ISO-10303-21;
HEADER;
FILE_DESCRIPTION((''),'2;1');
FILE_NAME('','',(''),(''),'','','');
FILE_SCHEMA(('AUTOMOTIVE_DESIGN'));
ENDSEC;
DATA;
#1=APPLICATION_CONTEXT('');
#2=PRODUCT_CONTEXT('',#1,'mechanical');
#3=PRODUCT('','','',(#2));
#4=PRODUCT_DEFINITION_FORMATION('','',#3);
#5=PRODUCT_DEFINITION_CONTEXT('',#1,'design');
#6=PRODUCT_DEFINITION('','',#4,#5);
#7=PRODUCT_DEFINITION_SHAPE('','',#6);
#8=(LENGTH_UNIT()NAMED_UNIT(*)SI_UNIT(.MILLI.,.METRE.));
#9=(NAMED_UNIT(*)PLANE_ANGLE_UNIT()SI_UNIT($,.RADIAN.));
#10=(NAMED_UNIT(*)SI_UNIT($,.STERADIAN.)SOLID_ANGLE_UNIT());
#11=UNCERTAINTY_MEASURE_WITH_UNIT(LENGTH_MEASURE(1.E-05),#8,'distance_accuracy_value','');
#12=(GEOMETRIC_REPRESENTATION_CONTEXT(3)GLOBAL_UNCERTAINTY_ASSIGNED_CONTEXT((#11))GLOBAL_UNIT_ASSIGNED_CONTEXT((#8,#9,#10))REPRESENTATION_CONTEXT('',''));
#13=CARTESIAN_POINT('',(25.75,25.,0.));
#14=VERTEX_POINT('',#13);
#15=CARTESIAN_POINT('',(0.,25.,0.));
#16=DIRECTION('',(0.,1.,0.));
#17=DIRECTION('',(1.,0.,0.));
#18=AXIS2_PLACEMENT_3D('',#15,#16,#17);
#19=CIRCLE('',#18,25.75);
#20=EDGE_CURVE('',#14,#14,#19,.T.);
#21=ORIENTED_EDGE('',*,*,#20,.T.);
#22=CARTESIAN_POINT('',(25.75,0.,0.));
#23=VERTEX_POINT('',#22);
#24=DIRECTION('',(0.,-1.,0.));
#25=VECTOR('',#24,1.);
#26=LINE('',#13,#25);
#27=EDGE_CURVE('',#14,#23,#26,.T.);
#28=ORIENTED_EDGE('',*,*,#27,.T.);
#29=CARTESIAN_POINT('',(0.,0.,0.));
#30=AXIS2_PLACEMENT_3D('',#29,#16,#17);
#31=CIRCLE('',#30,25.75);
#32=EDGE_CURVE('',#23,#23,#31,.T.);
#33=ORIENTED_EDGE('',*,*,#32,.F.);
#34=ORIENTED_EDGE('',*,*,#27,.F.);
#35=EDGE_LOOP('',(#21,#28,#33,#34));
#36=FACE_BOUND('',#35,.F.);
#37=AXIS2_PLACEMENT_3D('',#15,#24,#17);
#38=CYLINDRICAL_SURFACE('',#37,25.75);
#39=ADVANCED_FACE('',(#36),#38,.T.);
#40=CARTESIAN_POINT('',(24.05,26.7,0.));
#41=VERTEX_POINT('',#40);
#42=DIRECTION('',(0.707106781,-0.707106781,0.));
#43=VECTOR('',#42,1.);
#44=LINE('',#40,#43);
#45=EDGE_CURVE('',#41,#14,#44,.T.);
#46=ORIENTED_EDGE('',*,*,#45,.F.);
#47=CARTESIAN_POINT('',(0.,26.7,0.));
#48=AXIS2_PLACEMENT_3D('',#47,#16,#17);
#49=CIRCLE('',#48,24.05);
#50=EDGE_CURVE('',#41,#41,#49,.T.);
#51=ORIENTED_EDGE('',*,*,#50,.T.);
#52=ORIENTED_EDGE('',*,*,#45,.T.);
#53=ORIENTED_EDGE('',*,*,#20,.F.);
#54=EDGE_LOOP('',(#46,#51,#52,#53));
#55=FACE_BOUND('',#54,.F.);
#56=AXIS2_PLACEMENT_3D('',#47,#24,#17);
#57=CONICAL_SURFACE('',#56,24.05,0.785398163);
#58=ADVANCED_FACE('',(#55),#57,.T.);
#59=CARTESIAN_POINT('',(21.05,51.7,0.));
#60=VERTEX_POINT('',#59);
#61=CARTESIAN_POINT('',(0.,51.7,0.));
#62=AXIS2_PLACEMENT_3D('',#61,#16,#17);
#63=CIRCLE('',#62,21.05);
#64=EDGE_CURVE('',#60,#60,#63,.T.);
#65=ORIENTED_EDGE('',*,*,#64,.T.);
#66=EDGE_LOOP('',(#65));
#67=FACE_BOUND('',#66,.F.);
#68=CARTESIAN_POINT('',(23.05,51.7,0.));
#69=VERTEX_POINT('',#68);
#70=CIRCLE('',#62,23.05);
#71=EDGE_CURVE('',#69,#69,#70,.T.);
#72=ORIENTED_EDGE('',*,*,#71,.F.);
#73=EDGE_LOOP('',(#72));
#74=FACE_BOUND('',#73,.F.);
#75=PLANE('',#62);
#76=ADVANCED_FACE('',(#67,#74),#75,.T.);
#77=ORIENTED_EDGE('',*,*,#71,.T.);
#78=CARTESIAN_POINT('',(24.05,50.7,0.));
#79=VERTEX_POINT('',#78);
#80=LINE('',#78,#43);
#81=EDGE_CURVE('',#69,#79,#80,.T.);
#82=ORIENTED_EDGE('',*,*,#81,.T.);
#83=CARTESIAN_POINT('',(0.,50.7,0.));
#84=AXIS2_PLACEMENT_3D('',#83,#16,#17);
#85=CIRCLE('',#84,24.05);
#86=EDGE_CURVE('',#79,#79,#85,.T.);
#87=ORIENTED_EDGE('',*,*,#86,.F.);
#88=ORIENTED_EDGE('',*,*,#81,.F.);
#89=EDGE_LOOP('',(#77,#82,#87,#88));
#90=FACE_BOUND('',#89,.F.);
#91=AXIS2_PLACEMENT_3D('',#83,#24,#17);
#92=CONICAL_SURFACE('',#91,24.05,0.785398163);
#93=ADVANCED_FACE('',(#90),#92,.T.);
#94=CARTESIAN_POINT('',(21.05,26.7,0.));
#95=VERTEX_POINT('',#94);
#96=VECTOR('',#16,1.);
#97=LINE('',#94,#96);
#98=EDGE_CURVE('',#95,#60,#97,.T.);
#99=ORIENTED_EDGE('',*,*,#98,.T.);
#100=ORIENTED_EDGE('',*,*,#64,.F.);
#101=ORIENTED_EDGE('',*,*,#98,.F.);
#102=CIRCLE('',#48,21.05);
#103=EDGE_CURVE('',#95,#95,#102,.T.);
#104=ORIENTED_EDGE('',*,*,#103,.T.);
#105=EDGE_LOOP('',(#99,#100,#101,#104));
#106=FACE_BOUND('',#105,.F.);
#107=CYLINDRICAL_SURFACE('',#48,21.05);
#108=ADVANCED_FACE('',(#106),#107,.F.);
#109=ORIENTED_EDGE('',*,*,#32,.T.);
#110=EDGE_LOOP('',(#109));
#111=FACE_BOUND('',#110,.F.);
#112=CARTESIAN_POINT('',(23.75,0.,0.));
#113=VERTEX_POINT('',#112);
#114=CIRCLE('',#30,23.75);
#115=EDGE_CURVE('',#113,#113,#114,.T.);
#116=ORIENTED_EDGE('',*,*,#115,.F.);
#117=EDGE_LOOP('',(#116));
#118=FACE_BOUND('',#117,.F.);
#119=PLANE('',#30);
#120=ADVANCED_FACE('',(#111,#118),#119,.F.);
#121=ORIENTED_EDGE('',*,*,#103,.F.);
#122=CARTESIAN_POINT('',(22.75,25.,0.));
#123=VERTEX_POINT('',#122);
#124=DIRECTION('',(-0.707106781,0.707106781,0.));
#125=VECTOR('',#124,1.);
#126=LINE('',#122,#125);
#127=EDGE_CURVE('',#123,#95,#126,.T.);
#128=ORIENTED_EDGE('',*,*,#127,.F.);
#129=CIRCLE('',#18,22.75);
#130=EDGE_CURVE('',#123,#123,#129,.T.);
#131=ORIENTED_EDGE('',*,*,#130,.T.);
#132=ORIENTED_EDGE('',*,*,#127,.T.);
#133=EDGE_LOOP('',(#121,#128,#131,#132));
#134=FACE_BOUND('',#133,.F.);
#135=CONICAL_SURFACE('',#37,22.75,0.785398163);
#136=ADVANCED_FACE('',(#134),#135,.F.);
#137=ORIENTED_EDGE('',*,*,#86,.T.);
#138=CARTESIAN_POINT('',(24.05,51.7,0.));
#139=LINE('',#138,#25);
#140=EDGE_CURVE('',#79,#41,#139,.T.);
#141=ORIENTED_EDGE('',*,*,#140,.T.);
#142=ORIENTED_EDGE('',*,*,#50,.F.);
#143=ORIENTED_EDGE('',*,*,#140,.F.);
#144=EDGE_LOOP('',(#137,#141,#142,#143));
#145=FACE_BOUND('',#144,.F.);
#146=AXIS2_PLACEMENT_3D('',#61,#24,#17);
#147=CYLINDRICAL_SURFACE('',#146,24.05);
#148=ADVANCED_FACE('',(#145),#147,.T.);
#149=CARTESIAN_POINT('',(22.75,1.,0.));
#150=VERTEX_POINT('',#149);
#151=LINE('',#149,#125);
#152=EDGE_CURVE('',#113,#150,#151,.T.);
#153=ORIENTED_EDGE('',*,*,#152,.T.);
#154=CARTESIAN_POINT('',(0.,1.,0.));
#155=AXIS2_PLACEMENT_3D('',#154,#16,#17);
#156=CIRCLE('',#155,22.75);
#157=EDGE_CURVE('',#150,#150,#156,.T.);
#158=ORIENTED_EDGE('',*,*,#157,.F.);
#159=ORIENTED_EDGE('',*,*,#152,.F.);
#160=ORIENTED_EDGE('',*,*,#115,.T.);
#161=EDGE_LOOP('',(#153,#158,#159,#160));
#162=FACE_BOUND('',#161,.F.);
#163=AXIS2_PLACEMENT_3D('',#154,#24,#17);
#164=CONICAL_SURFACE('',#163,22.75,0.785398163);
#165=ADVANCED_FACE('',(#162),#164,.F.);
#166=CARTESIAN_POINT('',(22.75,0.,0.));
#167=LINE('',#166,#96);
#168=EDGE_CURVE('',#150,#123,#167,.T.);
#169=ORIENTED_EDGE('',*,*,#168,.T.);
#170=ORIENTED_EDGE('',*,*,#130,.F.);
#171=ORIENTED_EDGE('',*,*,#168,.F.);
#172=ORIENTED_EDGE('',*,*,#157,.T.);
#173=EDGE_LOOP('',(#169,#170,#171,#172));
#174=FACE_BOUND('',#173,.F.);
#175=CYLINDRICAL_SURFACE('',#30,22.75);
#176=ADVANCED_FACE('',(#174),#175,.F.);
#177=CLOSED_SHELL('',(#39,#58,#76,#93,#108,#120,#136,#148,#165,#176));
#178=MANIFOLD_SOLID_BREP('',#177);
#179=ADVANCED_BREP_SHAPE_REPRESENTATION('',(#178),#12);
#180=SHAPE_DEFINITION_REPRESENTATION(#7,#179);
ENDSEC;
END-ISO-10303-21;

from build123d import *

# Parameters (mm, degrees)
CHAMFER_SIZE = 1


with BuildPart() as part:
    # Sketch → Revolution (revolve)
    with BuildSketch(Plane.XY):
        Polygon((21.05, 51.7), (24.05, 51.7), (24.05, 26.7), (25.75, 25), (25.75, 0), (22.75, 0), (22.75, 25), (21.05, 26.7), align=None)
    revolve(axis=Axis((0, 0, 0), (0, 1, 0)))

    # Chamfer
    chamfer_edges = [part.edges().sort_by_distance(p)[0] for p in [
        (-24.05, 51.7, 0),
        (-22.75, 0, 0),
    ]]
    chamfer(chamfer_edges, length=CHAMFER_SIZE)


solid = part.part
